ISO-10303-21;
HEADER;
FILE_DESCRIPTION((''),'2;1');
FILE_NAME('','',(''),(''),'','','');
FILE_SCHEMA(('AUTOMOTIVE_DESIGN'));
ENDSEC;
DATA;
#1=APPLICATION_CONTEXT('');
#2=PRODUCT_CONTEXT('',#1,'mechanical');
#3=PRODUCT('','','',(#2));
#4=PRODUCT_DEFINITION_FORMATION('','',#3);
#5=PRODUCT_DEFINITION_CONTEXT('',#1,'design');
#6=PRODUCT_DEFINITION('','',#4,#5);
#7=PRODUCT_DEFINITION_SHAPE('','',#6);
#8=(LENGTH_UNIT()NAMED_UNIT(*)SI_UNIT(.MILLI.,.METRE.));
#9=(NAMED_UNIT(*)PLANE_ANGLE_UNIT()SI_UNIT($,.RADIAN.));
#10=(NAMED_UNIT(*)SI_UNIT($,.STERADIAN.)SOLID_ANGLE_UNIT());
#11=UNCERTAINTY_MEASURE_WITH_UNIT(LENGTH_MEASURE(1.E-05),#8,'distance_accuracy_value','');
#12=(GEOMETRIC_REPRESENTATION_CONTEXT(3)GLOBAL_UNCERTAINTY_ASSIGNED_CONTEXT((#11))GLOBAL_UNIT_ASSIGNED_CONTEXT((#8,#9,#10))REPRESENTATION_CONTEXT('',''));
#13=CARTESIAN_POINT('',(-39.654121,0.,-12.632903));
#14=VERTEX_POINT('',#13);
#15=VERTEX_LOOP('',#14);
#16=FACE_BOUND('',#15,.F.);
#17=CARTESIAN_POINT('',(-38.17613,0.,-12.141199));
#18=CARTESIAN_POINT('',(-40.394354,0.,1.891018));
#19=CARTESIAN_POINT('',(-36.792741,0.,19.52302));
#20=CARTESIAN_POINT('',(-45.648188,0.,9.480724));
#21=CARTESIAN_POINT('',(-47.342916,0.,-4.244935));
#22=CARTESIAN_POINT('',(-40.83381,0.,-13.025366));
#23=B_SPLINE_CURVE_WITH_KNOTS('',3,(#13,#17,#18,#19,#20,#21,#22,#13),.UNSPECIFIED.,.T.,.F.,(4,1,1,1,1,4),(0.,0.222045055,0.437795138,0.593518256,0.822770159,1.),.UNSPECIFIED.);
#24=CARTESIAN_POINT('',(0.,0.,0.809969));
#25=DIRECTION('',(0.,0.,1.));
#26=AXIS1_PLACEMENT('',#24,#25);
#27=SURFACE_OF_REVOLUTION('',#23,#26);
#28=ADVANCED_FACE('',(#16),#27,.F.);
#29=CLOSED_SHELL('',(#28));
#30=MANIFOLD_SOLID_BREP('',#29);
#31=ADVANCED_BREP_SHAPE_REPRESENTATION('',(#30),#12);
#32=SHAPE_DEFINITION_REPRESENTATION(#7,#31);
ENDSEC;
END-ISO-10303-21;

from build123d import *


with BuildPart() as f1:
    # F0 (on Front) → F1 (revolve)
    with BuildSketch(Plane.XZ):
        with BuildLine():
            add(Edge.make_bspline(
                [(-39.6541208029, -12.6329027116), (-38.1761298198, -12.1411985934), (-40.3943540424, 1.8910180395), (-36.792740804, 19.5230204519), (-45.6481877834, 9.4807243846), (-47.3429158485, -4.244935098), (-40.8338097947, -13.0253664967), (-39.6541208029, -12.6329027116)],
                knots=[0, 0, 0, 0, 0.2220450551, 0.4377951379, 0.593518256, 0.8227701588, 1, 1, 1, 1], degree=3))
        make_face()
    revolve(axis=Axis((0, 0, 0.8099693805), (0, 0, 1)))


solid = f1.part
